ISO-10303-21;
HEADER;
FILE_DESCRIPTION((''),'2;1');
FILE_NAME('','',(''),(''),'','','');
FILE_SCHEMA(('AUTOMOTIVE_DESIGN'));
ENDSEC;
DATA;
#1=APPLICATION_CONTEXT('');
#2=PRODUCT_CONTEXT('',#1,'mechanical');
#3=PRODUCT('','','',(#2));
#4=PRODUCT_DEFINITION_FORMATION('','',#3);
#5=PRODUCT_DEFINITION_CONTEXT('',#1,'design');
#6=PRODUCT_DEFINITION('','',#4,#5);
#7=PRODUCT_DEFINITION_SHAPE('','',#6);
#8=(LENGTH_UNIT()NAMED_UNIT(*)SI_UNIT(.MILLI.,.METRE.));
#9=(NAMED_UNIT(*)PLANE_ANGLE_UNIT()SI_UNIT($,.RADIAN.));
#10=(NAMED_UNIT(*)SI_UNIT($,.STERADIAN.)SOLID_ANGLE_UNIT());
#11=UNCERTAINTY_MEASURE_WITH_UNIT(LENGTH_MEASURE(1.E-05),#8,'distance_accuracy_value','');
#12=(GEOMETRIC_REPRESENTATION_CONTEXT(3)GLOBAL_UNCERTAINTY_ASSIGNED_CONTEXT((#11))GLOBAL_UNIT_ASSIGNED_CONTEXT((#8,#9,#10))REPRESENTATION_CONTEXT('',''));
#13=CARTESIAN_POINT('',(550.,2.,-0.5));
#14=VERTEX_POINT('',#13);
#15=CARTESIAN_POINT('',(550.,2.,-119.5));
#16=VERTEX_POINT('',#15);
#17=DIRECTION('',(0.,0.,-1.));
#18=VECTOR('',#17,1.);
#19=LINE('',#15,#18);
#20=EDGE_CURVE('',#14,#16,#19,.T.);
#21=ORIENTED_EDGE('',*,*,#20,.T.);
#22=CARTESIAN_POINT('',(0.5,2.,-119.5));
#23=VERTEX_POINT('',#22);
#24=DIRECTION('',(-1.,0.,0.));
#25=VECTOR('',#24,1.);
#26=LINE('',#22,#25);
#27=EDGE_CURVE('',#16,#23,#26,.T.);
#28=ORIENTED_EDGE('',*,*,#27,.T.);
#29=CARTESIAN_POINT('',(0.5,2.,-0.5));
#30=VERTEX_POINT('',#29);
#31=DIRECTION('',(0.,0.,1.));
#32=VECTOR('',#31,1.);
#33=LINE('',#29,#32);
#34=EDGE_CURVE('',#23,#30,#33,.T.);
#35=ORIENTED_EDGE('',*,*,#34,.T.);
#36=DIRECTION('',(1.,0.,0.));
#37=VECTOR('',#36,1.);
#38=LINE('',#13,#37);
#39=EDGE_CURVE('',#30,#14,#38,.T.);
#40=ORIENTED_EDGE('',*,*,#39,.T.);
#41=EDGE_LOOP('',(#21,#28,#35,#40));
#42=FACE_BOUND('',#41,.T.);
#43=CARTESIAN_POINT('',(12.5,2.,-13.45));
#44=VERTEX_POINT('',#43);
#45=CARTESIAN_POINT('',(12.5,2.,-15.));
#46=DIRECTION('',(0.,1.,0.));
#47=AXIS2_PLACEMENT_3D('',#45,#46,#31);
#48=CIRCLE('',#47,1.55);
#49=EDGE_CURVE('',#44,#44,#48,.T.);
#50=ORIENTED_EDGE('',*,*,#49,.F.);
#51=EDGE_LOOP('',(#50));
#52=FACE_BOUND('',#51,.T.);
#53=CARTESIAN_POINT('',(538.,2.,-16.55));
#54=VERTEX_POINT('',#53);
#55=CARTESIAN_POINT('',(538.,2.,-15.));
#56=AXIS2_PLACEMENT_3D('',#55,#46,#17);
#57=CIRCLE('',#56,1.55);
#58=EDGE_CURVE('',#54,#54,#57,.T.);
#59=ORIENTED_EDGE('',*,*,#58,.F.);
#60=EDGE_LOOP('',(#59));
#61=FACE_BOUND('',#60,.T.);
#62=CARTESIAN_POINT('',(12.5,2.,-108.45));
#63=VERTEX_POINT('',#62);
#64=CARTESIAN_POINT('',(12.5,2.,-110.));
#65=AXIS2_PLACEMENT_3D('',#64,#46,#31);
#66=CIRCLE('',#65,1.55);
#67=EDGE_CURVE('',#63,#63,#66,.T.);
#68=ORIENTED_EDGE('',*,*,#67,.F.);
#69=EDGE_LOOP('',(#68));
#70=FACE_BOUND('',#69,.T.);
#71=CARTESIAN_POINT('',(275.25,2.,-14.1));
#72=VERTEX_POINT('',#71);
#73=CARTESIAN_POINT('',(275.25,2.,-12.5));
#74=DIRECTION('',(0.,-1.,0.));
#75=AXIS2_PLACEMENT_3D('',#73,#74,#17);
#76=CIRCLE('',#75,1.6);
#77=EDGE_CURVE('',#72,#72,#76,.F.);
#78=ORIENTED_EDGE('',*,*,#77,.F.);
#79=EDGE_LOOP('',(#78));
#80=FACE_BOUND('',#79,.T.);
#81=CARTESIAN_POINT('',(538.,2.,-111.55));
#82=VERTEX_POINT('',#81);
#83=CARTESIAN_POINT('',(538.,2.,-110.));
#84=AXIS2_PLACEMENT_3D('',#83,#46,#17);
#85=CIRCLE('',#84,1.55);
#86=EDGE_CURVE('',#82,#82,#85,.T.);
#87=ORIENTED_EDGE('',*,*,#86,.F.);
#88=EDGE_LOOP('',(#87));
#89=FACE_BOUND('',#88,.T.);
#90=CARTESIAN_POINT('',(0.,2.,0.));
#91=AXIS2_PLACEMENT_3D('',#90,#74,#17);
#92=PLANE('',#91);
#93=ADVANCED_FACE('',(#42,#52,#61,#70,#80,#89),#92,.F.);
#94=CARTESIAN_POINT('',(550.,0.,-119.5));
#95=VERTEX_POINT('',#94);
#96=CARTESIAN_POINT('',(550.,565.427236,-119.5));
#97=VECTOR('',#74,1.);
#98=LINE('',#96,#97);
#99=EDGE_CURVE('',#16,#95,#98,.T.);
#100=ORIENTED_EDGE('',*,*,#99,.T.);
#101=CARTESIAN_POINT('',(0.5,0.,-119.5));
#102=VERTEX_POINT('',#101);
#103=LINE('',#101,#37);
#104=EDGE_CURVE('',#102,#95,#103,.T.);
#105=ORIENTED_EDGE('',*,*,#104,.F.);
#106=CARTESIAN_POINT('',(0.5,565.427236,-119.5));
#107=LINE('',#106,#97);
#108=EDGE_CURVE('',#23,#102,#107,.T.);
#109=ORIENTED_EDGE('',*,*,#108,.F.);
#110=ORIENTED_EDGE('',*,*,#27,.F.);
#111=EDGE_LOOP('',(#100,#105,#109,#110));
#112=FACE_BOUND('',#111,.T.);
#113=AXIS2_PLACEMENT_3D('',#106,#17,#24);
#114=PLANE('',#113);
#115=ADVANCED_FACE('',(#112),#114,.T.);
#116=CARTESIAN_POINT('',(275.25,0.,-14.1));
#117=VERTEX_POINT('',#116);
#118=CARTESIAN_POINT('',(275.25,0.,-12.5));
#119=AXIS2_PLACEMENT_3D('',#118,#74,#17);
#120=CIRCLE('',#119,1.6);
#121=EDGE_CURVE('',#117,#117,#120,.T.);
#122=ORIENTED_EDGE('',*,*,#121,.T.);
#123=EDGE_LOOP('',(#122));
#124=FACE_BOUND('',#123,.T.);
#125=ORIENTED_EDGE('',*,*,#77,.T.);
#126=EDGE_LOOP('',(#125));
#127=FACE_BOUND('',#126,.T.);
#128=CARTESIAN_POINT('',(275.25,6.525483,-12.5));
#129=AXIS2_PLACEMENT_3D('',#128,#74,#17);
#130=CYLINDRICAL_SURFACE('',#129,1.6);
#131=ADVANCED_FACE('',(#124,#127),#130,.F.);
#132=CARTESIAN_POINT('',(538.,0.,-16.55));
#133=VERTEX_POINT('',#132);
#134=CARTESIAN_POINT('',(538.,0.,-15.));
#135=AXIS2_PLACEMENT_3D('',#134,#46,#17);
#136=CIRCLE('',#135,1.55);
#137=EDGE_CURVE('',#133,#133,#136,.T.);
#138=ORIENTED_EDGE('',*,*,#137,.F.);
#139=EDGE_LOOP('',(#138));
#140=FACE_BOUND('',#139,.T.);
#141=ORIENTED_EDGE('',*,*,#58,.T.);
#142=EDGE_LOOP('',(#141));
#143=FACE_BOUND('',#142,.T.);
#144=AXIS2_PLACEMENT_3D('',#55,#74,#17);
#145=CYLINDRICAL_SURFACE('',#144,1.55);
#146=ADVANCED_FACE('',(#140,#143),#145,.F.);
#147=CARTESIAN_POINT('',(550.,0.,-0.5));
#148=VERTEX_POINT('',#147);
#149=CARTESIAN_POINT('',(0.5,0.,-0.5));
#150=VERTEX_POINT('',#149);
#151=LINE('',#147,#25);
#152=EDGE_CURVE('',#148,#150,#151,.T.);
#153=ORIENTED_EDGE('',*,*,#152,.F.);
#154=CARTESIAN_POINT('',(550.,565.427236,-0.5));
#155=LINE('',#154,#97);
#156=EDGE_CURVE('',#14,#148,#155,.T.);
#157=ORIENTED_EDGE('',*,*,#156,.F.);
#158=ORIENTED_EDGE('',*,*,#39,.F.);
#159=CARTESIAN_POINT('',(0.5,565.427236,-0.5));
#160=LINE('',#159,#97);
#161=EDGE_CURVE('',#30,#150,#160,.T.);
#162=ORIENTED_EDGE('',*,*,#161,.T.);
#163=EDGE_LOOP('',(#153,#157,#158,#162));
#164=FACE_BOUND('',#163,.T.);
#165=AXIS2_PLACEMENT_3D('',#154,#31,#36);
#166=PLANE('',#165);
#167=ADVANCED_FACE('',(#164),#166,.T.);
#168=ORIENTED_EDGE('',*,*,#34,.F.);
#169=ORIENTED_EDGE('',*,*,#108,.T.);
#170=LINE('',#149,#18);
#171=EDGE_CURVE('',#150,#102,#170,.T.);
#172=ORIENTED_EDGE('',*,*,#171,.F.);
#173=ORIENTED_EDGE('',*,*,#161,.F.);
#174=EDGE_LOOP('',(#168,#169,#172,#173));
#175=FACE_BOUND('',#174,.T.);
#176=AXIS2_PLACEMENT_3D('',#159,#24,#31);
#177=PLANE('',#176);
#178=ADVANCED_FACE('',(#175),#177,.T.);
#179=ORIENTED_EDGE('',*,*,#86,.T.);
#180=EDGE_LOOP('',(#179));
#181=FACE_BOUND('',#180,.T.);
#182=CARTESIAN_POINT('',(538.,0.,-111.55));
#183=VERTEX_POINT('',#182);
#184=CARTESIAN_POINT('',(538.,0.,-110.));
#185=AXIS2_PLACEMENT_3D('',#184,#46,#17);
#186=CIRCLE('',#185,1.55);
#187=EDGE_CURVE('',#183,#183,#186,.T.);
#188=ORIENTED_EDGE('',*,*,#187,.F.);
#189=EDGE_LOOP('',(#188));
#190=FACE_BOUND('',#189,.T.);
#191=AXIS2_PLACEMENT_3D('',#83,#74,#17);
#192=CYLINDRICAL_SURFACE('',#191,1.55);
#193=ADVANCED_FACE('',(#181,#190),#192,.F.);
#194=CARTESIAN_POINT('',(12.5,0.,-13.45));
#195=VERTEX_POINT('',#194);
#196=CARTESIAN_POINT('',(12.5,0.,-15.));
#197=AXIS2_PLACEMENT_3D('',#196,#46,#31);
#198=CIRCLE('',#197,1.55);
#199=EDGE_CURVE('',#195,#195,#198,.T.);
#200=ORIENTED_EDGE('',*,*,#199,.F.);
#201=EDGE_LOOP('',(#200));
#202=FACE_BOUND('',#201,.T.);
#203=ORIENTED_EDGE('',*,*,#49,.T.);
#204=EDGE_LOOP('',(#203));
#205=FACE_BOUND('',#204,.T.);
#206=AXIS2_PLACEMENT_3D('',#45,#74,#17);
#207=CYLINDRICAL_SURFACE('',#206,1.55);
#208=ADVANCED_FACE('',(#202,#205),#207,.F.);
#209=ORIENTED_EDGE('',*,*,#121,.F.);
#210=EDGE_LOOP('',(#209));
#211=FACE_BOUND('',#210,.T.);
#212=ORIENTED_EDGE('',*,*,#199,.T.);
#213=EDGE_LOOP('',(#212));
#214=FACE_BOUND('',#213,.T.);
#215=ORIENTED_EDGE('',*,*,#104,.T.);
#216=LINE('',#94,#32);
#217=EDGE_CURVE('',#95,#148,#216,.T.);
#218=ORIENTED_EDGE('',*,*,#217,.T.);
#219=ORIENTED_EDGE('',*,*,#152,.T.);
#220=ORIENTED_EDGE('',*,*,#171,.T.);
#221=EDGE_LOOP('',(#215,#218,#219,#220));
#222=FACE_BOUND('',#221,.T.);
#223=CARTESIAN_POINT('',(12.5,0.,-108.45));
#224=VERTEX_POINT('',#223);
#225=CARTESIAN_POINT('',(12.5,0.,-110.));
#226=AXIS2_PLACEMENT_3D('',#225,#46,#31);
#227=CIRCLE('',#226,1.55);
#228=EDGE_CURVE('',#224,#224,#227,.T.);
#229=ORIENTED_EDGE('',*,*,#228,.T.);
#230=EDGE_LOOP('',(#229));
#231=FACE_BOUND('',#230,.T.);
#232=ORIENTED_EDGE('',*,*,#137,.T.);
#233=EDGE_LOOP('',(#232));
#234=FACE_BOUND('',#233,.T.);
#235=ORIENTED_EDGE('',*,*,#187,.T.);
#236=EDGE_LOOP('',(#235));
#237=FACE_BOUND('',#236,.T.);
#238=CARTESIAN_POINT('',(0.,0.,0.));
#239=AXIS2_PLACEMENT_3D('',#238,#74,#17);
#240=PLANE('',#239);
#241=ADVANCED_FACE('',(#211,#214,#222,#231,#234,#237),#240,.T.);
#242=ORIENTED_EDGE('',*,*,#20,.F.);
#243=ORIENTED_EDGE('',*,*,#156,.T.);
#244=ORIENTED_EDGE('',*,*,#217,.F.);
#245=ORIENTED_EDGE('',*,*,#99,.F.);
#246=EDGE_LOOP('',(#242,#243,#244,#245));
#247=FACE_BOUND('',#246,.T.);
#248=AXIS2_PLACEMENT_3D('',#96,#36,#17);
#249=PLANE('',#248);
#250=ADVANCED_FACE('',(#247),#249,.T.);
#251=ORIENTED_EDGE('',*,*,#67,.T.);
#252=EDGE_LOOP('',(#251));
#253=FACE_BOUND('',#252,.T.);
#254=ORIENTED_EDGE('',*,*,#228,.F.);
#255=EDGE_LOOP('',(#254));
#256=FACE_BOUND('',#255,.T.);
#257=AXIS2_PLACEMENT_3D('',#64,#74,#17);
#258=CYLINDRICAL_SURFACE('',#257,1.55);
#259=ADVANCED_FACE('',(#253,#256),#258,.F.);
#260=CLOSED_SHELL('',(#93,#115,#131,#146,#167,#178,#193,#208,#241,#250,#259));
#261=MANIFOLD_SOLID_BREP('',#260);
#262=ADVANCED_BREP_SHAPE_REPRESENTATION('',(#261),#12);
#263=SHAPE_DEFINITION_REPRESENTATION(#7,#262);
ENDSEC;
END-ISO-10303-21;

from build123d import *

# Parameters (mm, degrees)
CROQUIS1_W              = 550.5
CROQUIS1_H              = 120
CROQUIS1_R              = 1.55
SALIENTE_EXTRUIR1_DEPTH = 2
CROQUIS2_W              = 550.5
CROQUIS2_H              = 120
CROQUIS2_W_2            = 549.5
CROQUIS2_H_2            = 119
CORTAR_EXTRUIR1_DEPTH   = 2
CROQUIS3_R              = 1.6
CORTAR_EXTRUIR2_DEPTH   = 2


with BuildPart() as part:
    # Croquis1 → Saliente-Extruir1 (new body)
    with BuildSketch(Plane(origin=(0, 0, 0), x_dir=(1, 0, 0), z_dir=(0, 1, 0))):
        with Locations((275.25, 60)):
            Rectangle(CROQUIS1_W, CROQUIS1_H)
        with Locations(Location((12.5, 15, 0), (0, 0, 270))):
            Circle(CROQUIS1_R, mode=Mode.SUBTRACT)
        with Locations(Location((12.5, 110, 0), (0, 0, 270))):
            Circle(CROQUIS1_R, mode=Mode.SUBTRACT)
        with Locations(Location((538, 15, 0), (0, 0, 90))):
            Circle(CROQUIS1_R, mode=Mode.SUBTRACT)
        with Locations(Location((538, 110, 0), (0, 0, 90))):
            Circle(CROQUIS1_R, mode=Mode.SUBTRACT)
    extrude(amount=SALIENTE_EXTRUIR1_DEPTH)

    # Croquis2 → Cortar-Extruir1 (cut)
    with BuildSketch(Plane.XZ):
        with Locations((275.25, -60)):
            Rectangle(CROQUIS2_W, CROQUIS2_H)
        with Locations((275.25, -60)):
            Rectangle(CROQUIS2_W_2, CROQUIS2_H_2, mode=Mode.SUBTRACT)
    extrude(amount=-CORTAR_EXTRUIR1_DEPTH, mode=Mode.SUBTRACT)

    # Croquis3 → Cortar-Extruir2 (cut)
    with BuildSketch(Plane.XZ):
        with Locations(Location((275.25, -12.5, 0), (0, 0, 270))):
            Circle(CROQUIS3_R)
    extrude(amount=-CORTAR_EXTRUIR2_DEPTH, mode=Mode.SUBTRACT)


solid = part.part
